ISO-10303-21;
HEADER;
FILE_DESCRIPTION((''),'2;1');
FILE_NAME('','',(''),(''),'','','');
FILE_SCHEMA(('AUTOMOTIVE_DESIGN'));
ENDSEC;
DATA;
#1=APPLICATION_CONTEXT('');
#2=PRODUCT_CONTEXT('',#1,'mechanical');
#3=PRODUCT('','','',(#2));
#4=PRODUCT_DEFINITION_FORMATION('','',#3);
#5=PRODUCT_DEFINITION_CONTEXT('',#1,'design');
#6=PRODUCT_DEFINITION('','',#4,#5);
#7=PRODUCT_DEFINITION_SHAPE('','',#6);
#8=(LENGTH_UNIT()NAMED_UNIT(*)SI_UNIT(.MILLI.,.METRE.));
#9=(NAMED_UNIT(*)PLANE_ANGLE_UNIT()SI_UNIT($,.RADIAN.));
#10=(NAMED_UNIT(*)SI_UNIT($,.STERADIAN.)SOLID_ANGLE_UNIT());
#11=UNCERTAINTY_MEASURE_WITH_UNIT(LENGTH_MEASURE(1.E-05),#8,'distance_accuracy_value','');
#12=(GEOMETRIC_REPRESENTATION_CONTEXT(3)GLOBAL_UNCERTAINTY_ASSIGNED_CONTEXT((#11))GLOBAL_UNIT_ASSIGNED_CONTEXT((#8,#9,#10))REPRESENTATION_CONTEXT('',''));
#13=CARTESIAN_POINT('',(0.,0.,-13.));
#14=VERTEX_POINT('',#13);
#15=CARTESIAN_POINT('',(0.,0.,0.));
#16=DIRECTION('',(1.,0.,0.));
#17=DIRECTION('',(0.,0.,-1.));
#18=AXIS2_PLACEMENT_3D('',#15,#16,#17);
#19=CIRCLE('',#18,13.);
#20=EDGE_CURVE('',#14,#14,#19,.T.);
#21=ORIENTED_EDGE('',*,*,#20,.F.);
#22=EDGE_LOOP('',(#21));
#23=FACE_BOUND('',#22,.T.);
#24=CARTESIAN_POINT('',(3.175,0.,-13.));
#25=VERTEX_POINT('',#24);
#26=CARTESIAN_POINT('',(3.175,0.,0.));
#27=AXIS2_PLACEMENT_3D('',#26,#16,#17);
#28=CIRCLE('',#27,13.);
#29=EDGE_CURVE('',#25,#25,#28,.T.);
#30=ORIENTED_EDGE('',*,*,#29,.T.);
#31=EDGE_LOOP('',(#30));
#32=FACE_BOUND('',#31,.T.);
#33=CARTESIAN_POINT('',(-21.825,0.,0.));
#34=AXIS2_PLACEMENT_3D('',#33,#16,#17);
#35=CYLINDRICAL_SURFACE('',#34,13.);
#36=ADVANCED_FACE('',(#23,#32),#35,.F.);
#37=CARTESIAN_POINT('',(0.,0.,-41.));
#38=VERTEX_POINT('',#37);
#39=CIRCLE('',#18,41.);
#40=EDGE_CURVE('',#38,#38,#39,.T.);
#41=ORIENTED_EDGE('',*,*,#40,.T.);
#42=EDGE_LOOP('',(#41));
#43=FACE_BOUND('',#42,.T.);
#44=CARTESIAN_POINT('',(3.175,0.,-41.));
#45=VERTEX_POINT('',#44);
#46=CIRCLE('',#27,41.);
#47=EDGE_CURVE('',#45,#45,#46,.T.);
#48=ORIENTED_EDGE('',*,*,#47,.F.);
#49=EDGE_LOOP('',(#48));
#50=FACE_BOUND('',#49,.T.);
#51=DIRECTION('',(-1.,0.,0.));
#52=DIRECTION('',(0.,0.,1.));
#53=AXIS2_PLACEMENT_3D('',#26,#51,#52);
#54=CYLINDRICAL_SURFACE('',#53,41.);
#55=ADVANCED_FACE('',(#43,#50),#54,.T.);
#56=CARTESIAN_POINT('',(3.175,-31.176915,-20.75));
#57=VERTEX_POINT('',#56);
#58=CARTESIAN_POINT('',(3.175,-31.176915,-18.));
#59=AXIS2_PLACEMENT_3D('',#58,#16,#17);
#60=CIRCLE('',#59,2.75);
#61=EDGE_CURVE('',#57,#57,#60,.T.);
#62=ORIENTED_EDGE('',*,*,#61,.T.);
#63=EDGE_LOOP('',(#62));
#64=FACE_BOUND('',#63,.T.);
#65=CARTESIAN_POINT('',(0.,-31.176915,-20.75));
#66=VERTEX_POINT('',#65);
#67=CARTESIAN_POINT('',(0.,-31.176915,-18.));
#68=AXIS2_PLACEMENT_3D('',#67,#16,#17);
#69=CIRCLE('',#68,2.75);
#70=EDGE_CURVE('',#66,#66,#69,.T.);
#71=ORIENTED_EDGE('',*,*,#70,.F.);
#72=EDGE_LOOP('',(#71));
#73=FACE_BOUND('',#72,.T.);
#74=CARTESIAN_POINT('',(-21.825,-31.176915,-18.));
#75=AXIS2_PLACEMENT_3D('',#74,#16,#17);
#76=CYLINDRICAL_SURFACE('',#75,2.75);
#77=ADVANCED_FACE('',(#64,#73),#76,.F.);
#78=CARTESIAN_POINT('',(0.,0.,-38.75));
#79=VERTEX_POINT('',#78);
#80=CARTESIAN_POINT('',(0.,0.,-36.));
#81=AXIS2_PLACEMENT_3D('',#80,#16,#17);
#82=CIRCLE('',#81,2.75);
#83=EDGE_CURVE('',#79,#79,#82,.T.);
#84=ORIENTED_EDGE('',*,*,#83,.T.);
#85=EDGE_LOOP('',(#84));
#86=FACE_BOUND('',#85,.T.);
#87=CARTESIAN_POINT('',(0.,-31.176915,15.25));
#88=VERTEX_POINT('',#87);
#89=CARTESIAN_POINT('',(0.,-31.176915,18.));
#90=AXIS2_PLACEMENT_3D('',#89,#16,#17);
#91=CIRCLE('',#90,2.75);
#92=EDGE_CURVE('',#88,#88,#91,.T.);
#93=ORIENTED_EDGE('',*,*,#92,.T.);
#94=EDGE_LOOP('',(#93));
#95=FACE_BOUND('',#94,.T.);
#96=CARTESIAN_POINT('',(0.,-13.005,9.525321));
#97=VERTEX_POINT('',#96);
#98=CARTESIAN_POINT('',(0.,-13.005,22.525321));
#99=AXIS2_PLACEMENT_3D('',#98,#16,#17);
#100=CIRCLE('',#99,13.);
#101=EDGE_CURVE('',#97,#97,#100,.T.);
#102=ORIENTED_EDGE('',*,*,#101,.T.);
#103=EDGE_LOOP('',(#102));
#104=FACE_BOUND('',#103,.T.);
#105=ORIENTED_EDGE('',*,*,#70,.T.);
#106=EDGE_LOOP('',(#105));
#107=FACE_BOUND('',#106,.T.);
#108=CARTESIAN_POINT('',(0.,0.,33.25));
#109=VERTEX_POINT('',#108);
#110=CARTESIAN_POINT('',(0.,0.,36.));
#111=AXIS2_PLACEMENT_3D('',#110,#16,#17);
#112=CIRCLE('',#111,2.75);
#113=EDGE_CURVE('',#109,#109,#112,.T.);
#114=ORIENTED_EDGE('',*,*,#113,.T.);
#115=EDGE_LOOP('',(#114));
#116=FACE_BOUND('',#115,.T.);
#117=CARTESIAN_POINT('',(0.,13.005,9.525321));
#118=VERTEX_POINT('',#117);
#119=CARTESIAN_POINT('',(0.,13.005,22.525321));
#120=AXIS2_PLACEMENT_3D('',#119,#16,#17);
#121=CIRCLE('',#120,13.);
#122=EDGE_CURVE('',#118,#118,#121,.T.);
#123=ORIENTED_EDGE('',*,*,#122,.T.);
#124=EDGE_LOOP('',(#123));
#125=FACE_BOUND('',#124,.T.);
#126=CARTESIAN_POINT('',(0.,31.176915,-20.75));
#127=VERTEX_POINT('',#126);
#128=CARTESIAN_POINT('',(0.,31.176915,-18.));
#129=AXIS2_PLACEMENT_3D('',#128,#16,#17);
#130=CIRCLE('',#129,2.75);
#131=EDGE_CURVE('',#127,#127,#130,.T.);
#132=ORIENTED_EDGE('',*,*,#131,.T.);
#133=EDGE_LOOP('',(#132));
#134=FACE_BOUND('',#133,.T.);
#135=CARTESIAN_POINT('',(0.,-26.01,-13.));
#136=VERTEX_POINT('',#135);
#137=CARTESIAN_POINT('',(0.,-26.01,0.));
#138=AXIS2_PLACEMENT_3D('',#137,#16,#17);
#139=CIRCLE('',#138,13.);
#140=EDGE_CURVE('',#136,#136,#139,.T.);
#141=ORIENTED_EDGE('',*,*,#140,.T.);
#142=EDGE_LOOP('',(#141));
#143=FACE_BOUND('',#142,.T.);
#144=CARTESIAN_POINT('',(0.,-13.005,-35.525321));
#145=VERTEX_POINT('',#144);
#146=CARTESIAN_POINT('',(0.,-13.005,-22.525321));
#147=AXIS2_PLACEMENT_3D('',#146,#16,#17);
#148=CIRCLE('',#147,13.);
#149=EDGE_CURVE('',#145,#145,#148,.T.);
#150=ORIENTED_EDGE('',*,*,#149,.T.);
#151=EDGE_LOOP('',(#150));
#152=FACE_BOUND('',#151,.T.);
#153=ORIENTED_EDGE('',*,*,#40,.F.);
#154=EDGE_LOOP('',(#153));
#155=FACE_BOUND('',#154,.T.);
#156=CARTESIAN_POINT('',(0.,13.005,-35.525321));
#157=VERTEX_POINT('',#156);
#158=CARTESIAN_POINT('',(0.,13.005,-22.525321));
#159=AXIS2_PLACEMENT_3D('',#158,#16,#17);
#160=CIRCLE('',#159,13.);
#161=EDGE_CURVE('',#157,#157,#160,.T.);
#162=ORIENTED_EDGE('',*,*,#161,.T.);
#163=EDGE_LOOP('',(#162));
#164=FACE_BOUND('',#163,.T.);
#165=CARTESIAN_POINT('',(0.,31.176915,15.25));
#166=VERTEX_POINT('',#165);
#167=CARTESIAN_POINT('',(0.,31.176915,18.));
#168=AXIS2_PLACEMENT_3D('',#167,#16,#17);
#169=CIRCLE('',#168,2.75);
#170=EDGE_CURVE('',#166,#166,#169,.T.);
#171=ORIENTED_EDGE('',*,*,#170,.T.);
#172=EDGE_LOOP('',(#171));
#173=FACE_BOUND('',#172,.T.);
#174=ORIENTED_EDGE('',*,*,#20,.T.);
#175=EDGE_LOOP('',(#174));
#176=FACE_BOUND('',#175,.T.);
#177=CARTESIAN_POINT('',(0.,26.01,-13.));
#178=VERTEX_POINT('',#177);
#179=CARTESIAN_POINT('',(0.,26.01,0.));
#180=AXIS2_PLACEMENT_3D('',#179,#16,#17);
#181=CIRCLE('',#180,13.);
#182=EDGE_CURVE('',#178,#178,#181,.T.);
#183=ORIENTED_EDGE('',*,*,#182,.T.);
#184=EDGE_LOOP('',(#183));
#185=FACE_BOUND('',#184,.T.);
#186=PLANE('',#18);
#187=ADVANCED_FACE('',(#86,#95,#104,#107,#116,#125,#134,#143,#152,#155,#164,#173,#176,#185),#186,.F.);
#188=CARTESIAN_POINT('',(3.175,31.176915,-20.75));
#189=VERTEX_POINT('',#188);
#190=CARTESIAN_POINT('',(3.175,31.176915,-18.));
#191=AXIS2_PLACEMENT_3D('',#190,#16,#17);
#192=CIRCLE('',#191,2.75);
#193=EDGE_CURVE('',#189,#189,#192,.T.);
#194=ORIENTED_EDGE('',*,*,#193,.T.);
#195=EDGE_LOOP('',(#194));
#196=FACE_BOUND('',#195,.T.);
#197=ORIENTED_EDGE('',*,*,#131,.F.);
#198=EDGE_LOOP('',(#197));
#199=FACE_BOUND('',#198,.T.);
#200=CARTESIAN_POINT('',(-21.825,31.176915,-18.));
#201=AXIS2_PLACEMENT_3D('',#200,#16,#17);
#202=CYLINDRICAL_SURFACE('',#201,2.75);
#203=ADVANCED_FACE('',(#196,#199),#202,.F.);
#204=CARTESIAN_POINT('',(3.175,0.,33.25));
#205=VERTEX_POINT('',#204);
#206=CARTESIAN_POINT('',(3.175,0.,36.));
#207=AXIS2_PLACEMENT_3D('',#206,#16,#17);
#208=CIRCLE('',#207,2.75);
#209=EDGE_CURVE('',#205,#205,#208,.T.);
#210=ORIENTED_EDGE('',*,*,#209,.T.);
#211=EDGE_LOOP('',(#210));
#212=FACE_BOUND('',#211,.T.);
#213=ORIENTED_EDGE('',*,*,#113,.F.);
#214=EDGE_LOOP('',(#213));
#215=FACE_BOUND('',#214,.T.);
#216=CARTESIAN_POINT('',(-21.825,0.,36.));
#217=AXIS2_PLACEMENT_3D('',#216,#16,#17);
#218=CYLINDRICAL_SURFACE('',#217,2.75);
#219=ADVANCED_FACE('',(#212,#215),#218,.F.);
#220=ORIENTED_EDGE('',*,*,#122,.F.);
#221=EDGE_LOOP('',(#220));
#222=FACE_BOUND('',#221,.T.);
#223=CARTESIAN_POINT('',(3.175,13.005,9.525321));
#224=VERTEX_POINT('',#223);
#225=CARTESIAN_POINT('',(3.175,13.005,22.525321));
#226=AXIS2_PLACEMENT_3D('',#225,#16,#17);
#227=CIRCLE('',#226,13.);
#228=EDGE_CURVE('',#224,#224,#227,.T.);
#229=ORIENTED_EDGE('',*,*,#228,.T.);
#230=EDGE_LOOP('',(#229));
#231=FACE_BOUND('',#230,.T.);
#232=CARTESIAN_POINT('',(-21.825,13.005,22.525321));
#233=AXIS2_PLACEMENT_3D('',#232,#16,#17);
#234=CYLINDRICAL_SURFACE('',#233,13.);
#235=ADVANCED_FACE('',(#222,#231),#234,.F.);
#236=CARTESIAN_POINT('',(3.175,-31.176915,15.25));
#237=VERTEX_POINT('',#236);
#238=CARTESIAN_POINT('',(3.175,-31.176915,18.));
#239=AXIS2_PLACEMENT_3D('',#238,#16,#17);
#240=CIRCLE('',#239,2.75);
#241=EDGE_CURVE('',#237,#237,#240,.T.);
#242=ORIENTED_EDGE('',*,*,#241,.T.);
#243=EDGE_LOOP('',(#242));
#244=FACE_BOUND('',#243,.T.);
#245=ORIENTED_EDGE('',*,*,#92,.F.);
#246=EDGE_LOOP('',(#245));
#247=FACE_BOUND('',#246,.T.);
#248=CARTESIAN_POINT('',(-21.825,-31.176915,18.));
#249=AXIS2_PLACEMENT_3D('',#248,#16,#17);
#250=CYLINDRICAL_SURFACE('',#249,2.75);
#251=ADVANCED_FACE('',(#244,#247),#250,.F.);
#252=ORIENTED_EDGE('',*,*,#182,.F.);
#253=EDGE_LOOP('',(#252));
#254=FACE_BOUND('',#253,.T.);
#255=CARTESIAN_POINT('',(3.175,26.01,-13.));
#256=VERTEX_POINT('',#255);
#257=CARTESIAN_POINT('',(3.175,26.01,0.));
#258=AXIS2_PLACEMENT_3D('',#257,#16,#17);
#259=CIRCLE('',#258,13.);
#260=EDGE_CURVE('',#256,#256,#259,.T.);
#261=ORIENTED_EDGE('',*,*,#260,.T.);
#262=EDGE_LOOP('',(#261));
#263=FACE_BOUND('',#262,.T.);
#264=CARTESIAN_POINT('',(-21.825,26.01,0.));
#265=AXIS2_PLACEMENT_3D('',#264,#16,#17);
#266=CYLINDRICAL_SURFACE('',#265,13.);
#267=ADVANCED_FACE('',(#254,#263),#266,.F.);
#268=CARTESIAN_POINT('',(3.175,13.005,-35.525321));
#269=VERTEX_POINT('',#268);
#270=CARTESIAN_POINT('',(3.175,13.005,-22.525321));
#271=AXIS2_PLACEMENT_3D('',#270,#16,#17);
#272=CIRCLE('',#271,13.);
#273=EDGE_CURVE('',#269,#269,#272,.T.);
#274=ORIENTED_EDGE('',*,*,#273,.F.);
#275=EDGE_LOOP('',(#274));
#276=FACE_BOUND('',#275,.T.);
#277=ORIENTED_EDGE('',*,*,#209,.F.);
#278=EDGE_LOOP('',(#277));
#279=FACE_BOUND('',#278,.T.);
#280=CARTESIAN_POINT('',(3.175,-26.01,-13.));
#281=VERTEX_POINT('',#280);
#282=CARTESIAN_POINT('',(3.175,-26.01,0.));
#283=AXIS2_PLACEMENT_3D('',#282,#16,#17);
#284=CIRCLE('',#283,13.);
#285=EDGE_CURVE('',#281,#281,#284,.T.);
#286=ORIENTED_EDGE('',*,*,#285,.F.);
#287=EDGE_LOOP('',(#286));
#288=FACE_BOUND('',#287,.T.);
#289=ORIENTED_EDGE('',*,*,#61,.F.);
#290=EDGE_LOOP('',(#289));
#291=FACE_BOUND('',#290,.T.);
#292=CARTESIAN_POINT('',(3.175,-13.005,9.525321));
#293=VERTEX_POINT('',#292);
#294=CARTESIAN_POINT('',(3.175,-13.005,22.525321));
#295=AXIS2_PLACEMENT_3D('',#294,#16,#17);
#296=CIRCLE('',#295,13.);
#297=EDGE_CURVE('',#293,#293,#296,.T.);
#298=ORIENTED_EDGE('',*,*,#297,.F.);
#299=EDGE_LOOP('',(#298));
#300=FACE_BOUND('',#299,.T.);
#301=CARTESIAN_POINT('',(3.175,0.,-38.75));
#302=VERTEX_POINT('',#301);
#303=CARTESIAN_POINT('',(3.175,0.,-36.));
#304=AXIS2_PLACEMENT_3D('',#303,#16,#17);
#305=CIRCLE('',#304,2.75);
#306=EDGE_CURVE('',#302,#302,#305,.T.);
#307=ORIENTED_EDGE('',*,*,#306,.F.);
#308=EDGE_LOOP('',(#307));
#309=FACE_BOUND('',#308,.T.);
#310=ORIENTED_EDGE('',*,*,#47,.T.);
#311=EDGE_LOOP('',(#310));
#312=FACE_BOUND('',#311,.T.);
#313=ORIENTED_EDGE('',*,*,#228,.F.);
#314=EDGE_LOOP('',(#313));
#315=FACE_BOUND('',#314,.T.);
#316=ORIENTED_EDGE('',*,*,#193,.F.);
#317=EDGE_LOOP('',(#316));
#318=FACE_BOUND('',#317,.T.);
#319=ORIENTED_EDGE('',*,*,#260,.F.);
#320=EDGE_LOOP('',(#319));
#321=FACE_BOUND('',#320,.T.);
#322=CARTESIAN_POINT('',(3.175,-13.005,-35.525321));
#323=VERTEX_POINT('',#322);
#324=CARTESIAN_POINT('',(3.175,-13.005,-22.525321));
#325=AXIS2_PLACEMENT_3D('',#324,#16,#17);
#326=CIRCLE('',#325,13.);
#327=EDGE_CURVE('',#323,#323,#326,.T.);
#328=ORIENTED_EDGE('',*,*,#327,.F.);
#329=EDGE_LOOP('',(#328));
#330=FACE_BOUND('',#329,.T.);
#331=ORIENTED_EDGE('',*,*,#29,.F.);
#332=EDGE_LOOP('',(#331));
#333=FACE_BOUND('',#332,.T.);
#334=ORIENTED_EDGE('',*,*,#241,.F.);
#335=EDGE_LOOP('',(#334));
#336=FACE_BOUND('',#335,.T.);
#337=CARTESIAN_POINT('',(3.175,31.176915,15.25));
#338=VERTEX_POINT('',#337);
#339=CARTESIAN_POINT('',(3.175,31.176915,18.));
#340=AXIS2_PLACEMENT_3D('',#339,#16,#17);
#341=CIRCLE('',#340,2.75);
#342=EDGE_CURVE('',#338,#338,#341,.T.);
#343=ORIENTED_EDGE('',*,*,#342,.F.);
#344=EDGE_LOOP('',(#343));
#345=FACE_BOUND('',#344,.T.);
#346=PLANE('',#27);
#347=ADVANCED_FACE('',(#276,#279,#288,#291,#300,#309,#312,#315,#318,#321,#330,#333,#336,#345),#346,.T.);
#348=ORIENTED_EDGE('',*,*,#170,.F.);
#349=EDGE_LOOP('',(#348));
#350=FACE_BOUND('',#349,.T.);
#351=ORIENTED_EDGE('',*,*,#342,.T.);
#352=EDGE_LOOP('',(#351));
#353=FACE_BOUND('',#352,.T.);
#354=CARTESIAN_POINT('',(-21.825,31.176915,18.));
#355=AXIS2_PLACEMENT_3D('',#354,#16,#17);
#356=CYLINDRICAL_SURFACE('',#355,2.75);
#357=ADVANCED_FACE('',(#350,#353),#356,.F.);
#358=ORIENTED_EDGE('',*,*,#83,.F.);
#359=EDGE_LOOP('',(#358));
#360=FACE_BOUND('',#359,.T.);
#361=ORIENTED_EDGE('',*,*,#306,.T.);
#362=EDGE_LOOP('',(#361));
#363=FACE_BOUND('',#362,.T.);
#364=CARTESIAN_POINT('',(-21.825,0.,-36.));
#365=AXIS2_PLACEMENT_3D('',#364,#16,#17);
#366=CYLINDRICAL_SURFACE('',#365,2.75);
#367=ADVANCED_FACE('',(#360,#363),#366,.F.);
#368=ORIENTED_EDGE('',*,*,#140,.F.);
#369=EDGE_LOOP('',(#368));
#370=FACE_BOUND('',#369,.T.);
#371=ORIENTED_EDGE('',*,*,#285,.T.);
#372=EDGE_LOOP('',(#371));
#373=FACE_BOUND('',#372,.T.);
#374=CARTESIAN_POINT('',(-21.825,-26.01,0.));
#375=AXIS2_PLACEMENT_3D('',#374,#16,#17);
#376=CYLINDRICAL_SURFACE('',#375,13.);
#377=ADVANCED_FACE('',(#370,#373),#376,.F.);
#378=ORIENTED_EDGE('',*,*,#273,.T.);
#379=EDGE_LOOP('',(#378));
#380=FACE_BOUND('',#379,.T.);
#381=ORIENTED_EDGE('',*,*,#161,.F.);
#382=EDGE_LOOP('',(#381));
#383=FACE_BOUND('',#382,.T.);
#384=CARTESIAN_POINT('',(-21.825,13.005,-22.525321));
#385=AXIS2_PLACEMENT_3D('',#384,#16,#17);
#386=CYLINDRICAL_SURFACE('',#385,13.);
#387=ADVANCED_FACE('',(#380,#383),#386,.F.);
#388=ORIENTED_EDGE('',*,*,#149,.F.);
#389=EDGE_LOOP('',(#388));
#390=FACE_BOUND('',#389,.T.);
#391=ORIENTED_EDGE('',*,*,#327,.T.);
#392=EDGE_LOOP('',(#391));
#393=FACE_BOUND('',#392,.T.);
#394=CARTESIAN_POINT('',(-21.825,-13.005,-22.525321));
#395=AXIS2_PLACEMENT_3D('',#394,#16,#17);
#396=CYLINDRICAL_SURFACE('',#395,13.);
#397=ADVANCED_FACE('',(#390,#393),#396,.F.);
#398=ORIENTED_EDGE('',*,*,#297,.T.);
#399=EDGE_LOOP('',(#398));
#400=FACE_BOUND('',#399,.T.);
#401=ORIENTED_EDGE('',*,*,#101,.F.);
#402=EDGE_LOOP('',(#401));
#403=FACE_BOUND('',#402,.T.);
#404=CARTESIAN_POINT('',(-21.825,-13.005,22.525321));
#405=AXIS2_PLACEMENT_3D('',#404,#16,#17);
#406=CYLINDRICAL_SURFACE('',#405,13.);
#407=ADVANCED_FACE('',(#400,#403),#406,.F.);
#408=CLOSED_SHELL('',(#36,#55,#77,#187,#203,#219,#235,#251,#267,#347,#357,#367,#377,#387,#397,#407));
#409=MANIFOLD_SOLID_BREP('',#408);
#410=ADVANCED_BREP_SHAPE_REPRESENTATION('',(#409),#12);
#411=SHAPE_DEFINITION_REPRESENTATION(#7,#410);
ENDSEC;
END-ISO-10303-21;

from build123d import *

# Parameters (mm, degrees)
SKETCH1_R           = 41
BOSS_EXTRUDE1_DEPTH = 3.175
SKETCH2_R           = 13
SKETCH2_R_2         = 2.75
CUT_EXTRUDE1_DEPTH  = 25


with BuildPart() as part:
    # Sketch1 → Boss-Extrude1 (new body)
    with BuildSketch(Plane(origin=(0, 0, 0), x_dir=(0, 0, -1), z_dir=(1, 0, 0))):
        Circle(SKETCH1_R)
    extrude(amount=BOSS_EXTRUDE1_DEPTH)

    # Sketch2 → Cut-Extrude1 (cut)
    with BuildSketch(Plane(origin=(3.175, 0, 0), x_dir=(0, 0, -1), z_dir=(1, 0, 0))):
        Circle(SKETCH2_R)
        with Locations((0, 26.01)):
            Circle(SKETCH2_R)
        with Locations((22.525320752, 13.005)):
            Circle(SKETCH2_R)
        with Locations((22.525320752, -13.005)):
            Circle(SKETCH2_R)
        with Locations((0, -26.01)):
            Circle(SKETCH2_R)
        with Locations((-22.525320752, -13.005)):
            Circle(SKETCH2_R)
        with Locations((-22.525320752, 13.005)):
            Circle(SKETCH2_R)
        with Locations((-18, 31.176914536)):
            Circle(SKETCH2_R_2)
        with Locations((18, 31.176914536)):
            Circle(SKETCH2_R_2)
        with Locations((36, 0)):
            Circle(SKETCH2_R_2)
        with Locations((18, -31.176914536)):
            Circle(SKETCH2_R_2)
        with Locations((-18, -31.176914536)):
            Circle(SKETCH2_R_2)
        with Locations((-36, 0)):
            Circle(SKETCH2_R_2)
    extrude(amount=-CUT_EXTRUDE1_DEPTH, mode=Mode.SUBTRACT)


solid = part.part
